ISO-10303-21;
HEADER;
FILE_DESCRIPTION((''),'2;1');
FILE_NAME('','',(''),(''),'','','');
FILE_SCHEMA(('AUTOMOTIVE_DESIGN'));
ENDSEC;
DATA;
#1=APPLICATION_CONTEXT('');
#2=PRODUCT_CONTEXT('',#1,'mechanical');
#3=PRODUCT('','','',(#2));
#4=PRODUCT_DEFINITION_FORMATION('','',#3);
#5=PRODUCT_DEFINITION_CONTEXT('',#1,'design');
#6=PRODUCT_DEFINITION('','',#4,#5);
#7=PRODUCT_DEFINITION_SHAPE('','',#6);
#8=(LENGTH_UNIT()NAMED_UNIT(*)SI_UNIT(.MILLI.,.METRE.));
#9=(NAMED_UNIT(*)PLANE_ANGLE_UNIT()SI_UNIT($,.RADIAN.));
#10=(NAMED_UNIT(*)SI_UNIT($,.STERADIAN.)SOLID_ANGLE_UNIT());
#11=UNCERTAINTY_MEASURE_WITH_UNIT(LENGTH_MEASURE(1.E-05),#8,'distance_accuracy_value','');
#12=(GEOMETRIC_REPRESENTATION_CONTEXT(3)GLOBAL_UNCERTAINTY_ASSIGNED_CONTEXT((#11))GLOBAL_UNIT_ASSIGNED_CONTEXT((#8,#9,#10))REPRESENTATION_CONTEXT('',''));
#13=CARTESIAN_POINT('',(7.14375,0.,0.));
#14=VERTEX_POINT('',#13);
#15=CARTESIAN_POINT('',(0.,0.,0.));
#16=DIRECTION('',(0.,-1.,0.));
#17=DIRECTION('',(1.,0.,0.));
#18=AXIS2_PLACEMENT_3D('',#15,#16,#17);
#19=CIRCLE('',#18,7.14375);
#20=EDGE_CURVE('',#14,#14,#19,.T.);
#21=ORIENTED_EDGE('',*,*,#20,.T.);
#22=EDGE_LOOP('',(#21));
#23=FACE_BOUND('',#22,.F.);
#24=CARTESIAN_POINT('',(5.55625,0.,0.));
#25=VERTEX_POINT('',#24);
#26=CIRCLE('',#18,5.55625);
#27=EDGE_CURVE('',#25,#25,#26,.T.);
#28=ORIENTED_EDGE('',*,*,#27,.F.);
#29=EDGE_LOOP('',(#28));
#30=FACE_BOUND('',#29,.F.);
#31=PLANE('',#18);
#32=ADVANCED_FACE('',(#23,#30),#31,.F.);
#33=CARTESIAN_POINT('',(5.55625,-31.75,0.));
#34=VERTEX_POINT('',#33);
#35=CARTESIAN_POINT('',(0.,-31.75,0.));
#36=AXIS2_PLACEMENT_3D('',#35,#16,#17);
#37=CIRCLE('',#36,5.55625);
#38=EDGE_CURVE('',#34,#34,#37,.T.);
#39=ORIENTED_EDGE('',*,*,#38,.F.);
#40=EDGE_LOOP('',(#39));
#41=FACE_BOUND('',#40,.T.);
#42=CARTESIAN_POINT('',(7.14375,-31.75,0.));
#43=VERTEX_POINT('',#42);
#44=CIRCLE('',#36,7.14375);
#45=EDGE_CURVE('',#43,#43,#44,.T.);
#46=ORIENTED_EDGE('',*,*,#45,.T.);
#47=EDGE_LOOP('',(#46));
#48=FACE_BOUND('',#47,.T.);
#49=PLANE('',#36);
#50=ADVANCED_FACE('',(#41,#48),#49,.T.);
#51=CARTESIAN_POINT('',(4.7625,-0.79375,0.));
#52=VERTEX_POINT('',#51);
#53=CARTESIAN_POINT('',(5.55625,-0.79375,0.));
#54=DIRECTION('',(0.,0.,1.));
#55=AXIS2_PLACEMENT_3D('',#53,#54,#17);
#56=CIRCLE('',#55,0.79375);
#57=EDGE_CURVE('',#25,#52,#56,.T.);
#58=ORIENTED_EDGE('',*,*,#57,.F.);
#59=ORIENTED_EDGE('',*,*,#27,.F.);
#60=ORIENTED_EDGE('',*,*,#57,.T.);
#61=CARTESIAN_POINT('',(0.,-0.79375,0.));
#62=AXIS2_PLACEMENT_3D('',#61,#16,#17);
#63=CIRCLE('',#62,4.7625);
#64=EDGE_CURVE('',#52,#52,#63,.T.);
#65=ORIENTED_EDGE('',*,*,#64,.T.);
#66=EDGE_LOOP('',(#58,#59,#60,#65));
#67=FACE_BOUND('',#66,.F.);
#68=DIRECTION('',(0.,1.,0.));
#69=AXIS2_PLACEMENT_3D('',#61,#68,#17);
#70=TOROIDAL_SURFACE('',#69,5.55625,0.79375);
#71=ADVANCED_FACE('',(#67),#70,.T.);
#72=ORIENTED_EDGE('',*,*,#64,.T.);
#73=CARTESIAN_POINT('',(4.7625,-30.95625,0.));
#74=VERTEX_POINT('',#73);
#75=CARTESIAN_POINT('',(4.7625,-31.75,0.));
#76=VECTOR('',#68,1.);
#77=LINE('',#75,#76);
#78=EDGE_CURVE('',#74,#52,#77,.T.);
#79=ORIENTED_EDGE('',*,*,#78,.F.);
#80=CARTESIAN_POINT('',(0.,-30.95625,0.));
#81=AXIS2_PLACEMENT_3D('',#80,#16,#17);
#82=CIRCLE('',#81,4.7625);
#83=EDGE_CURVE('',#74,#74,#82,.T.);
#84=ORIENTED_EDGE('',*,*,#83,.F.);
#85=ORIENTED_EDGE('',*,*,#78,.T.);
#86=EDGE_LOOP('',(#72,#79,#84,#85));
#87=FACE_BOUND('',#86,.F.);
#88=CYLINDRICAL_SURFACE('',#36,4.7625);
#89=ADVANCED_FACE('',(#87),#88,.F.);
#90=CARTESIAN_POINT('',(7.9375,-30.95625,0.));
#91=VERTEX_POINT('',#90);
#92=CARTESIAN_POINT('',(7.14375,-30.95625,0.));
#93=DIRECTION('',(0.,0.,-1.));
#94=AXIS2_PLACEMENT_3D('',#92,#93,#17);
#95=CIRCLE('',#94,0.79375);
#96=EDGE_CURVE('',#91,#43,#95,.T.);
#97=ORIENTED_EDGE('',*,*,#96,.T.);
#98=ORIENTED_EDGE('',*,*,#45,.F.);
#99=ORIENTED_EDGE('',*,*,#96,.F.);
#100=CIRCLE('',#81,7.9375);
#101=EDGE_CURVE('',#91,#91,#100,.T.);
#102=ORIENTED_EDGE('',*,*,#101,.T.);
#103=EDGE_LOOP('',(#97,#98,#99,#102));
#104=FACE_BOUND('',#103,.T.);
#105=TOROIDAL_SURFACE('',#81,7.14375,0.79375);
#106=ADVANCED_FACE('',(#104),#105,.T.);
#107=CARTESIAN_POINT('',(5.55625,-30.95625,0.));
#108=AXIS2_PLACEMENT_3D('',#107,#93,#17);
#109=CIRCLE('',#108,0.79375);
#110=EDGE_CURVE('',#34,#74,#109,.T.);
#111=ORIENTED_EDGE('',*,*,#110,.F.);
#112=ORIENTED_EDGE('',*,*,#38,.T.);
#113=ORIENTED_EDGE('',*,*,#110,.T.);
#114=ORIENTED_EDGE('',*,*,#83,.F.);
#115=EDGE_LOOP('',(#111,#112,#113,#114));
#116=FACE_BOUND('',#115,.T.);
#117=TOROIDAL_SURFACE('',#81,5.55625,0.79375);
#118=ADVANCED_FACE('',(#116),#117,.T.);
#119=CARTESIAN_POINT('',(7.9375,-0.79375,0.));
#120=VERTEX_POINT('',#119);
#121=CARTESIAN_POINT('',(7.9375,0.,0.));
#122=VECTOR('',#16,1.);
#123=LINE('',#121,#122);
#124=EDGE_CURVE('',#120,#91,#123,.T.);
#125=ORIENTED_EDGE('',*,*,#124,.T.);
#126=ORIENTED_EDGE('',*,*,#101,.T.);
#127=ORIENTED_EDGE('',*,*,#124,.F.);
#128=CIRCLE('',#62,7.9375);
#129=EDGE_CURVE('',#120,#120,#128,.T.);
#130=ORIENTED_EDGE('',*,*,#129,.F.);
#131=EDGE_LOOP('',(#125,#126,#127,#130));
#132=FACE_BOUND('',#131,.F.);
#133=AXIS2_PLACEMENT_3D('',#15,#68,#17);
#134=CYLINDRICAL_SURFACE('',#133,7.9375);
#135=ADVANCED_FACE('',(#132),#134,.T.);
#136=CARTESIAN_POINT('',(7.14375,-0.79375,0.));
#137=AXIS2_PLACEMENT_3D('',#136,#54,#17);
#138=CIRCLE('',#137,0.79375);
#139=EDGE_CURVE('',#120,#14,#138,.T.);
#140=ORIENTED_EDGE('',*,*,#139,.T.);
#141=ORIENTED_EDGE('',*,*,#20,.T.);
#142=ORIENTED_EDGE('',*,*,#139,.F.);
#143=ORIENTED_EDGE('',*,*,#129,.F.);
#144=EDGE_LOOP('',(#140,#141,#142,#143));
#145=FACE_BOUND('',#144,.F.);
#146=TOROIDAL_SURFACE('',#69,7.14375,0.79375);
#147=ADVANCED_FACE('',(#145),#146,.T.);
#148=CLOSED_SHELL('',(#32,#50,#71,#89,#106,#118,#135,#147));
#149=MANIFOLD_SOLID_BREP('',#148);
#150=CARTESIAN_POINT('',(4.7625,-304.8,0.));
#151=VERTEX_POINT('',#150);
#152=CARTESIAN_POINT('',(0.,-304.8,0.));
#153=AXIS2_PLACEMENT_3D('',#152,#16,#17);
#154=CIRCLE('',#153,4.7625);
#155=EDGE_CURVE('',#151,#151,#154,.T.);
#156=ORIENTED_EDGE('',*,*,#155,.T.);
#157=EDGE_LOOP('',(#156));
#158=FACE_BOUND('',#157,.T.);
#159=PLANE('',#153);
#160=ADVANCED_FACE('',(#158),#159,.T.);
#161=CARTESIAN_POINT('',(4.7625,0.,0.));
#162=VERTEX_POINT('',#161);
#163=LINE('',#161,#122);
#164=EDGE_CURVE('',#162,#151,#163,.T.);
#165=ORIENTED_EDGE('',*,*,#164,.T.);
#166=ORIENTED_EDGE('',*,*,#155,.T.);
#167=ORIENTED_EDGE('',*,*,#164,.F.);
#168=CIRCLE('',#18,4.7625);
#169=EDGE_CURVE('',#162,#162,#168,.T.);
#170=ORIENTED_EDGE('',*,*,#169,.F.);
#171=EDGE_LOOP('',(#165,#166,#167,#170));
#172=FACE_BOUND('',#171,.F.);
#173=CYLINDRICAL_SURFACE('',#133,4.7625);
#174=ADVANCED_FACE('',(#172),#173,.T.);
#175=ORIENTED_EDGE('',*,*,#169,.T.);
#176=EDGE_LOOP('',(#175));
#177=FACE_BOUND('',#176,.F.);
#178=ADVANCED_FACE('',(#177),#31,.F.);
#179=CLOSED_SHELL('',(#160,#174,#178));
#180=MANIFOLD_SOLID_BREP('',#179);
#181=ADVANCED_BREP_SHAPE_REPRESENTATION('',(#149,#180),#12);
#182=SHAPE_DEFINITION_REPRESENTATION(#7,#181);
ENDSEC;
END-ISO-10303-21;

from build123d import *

# Parameters (mm, degrees)
F0_R     = 7.9375
F1_DEPTH = 31.75
F2_R     = 4.7625
F3_DEPTH = 31.751
F4_R     = 0.79375
F5_R     = 4.7625
F6_DEPTH = 304.8


with BuildPart() as f1:
    # F0 (on Front) → F1 (new body)
    with BuildSketch(Plane.XZ):
        Circle(F0_R)
    extrude(amount=F1_DEPTH)

    # F2 (on face) → F3 (cut, through all)
    with BuildSketch(Plane.XZ.offset(31.75)):
        Circle(F2_R)
    extrude(amount=-F3_DEPTH, mode=Mode.SUBTRACT)

    # F4
    f4_edges = [f1.edges().sort_by_distance(p)[0] for p in [
        (-7.9375, -31.75, 0),
        (-4.7625, -31.75, 0),
        (-7.9375, 0, 0),
        (-4.7625, 0, 0),
    ]]
    fillet(f4_edges, radius=F4_R)


with BuildPart() as f6:
    # F5 (on Front) → F6 (new body)
    with BuildSketch(Plane.XZ):
        Circle(F5_R)
    extrude(amount=F6_DEPTH)


solid = Compound([f1.part, f6.part])
